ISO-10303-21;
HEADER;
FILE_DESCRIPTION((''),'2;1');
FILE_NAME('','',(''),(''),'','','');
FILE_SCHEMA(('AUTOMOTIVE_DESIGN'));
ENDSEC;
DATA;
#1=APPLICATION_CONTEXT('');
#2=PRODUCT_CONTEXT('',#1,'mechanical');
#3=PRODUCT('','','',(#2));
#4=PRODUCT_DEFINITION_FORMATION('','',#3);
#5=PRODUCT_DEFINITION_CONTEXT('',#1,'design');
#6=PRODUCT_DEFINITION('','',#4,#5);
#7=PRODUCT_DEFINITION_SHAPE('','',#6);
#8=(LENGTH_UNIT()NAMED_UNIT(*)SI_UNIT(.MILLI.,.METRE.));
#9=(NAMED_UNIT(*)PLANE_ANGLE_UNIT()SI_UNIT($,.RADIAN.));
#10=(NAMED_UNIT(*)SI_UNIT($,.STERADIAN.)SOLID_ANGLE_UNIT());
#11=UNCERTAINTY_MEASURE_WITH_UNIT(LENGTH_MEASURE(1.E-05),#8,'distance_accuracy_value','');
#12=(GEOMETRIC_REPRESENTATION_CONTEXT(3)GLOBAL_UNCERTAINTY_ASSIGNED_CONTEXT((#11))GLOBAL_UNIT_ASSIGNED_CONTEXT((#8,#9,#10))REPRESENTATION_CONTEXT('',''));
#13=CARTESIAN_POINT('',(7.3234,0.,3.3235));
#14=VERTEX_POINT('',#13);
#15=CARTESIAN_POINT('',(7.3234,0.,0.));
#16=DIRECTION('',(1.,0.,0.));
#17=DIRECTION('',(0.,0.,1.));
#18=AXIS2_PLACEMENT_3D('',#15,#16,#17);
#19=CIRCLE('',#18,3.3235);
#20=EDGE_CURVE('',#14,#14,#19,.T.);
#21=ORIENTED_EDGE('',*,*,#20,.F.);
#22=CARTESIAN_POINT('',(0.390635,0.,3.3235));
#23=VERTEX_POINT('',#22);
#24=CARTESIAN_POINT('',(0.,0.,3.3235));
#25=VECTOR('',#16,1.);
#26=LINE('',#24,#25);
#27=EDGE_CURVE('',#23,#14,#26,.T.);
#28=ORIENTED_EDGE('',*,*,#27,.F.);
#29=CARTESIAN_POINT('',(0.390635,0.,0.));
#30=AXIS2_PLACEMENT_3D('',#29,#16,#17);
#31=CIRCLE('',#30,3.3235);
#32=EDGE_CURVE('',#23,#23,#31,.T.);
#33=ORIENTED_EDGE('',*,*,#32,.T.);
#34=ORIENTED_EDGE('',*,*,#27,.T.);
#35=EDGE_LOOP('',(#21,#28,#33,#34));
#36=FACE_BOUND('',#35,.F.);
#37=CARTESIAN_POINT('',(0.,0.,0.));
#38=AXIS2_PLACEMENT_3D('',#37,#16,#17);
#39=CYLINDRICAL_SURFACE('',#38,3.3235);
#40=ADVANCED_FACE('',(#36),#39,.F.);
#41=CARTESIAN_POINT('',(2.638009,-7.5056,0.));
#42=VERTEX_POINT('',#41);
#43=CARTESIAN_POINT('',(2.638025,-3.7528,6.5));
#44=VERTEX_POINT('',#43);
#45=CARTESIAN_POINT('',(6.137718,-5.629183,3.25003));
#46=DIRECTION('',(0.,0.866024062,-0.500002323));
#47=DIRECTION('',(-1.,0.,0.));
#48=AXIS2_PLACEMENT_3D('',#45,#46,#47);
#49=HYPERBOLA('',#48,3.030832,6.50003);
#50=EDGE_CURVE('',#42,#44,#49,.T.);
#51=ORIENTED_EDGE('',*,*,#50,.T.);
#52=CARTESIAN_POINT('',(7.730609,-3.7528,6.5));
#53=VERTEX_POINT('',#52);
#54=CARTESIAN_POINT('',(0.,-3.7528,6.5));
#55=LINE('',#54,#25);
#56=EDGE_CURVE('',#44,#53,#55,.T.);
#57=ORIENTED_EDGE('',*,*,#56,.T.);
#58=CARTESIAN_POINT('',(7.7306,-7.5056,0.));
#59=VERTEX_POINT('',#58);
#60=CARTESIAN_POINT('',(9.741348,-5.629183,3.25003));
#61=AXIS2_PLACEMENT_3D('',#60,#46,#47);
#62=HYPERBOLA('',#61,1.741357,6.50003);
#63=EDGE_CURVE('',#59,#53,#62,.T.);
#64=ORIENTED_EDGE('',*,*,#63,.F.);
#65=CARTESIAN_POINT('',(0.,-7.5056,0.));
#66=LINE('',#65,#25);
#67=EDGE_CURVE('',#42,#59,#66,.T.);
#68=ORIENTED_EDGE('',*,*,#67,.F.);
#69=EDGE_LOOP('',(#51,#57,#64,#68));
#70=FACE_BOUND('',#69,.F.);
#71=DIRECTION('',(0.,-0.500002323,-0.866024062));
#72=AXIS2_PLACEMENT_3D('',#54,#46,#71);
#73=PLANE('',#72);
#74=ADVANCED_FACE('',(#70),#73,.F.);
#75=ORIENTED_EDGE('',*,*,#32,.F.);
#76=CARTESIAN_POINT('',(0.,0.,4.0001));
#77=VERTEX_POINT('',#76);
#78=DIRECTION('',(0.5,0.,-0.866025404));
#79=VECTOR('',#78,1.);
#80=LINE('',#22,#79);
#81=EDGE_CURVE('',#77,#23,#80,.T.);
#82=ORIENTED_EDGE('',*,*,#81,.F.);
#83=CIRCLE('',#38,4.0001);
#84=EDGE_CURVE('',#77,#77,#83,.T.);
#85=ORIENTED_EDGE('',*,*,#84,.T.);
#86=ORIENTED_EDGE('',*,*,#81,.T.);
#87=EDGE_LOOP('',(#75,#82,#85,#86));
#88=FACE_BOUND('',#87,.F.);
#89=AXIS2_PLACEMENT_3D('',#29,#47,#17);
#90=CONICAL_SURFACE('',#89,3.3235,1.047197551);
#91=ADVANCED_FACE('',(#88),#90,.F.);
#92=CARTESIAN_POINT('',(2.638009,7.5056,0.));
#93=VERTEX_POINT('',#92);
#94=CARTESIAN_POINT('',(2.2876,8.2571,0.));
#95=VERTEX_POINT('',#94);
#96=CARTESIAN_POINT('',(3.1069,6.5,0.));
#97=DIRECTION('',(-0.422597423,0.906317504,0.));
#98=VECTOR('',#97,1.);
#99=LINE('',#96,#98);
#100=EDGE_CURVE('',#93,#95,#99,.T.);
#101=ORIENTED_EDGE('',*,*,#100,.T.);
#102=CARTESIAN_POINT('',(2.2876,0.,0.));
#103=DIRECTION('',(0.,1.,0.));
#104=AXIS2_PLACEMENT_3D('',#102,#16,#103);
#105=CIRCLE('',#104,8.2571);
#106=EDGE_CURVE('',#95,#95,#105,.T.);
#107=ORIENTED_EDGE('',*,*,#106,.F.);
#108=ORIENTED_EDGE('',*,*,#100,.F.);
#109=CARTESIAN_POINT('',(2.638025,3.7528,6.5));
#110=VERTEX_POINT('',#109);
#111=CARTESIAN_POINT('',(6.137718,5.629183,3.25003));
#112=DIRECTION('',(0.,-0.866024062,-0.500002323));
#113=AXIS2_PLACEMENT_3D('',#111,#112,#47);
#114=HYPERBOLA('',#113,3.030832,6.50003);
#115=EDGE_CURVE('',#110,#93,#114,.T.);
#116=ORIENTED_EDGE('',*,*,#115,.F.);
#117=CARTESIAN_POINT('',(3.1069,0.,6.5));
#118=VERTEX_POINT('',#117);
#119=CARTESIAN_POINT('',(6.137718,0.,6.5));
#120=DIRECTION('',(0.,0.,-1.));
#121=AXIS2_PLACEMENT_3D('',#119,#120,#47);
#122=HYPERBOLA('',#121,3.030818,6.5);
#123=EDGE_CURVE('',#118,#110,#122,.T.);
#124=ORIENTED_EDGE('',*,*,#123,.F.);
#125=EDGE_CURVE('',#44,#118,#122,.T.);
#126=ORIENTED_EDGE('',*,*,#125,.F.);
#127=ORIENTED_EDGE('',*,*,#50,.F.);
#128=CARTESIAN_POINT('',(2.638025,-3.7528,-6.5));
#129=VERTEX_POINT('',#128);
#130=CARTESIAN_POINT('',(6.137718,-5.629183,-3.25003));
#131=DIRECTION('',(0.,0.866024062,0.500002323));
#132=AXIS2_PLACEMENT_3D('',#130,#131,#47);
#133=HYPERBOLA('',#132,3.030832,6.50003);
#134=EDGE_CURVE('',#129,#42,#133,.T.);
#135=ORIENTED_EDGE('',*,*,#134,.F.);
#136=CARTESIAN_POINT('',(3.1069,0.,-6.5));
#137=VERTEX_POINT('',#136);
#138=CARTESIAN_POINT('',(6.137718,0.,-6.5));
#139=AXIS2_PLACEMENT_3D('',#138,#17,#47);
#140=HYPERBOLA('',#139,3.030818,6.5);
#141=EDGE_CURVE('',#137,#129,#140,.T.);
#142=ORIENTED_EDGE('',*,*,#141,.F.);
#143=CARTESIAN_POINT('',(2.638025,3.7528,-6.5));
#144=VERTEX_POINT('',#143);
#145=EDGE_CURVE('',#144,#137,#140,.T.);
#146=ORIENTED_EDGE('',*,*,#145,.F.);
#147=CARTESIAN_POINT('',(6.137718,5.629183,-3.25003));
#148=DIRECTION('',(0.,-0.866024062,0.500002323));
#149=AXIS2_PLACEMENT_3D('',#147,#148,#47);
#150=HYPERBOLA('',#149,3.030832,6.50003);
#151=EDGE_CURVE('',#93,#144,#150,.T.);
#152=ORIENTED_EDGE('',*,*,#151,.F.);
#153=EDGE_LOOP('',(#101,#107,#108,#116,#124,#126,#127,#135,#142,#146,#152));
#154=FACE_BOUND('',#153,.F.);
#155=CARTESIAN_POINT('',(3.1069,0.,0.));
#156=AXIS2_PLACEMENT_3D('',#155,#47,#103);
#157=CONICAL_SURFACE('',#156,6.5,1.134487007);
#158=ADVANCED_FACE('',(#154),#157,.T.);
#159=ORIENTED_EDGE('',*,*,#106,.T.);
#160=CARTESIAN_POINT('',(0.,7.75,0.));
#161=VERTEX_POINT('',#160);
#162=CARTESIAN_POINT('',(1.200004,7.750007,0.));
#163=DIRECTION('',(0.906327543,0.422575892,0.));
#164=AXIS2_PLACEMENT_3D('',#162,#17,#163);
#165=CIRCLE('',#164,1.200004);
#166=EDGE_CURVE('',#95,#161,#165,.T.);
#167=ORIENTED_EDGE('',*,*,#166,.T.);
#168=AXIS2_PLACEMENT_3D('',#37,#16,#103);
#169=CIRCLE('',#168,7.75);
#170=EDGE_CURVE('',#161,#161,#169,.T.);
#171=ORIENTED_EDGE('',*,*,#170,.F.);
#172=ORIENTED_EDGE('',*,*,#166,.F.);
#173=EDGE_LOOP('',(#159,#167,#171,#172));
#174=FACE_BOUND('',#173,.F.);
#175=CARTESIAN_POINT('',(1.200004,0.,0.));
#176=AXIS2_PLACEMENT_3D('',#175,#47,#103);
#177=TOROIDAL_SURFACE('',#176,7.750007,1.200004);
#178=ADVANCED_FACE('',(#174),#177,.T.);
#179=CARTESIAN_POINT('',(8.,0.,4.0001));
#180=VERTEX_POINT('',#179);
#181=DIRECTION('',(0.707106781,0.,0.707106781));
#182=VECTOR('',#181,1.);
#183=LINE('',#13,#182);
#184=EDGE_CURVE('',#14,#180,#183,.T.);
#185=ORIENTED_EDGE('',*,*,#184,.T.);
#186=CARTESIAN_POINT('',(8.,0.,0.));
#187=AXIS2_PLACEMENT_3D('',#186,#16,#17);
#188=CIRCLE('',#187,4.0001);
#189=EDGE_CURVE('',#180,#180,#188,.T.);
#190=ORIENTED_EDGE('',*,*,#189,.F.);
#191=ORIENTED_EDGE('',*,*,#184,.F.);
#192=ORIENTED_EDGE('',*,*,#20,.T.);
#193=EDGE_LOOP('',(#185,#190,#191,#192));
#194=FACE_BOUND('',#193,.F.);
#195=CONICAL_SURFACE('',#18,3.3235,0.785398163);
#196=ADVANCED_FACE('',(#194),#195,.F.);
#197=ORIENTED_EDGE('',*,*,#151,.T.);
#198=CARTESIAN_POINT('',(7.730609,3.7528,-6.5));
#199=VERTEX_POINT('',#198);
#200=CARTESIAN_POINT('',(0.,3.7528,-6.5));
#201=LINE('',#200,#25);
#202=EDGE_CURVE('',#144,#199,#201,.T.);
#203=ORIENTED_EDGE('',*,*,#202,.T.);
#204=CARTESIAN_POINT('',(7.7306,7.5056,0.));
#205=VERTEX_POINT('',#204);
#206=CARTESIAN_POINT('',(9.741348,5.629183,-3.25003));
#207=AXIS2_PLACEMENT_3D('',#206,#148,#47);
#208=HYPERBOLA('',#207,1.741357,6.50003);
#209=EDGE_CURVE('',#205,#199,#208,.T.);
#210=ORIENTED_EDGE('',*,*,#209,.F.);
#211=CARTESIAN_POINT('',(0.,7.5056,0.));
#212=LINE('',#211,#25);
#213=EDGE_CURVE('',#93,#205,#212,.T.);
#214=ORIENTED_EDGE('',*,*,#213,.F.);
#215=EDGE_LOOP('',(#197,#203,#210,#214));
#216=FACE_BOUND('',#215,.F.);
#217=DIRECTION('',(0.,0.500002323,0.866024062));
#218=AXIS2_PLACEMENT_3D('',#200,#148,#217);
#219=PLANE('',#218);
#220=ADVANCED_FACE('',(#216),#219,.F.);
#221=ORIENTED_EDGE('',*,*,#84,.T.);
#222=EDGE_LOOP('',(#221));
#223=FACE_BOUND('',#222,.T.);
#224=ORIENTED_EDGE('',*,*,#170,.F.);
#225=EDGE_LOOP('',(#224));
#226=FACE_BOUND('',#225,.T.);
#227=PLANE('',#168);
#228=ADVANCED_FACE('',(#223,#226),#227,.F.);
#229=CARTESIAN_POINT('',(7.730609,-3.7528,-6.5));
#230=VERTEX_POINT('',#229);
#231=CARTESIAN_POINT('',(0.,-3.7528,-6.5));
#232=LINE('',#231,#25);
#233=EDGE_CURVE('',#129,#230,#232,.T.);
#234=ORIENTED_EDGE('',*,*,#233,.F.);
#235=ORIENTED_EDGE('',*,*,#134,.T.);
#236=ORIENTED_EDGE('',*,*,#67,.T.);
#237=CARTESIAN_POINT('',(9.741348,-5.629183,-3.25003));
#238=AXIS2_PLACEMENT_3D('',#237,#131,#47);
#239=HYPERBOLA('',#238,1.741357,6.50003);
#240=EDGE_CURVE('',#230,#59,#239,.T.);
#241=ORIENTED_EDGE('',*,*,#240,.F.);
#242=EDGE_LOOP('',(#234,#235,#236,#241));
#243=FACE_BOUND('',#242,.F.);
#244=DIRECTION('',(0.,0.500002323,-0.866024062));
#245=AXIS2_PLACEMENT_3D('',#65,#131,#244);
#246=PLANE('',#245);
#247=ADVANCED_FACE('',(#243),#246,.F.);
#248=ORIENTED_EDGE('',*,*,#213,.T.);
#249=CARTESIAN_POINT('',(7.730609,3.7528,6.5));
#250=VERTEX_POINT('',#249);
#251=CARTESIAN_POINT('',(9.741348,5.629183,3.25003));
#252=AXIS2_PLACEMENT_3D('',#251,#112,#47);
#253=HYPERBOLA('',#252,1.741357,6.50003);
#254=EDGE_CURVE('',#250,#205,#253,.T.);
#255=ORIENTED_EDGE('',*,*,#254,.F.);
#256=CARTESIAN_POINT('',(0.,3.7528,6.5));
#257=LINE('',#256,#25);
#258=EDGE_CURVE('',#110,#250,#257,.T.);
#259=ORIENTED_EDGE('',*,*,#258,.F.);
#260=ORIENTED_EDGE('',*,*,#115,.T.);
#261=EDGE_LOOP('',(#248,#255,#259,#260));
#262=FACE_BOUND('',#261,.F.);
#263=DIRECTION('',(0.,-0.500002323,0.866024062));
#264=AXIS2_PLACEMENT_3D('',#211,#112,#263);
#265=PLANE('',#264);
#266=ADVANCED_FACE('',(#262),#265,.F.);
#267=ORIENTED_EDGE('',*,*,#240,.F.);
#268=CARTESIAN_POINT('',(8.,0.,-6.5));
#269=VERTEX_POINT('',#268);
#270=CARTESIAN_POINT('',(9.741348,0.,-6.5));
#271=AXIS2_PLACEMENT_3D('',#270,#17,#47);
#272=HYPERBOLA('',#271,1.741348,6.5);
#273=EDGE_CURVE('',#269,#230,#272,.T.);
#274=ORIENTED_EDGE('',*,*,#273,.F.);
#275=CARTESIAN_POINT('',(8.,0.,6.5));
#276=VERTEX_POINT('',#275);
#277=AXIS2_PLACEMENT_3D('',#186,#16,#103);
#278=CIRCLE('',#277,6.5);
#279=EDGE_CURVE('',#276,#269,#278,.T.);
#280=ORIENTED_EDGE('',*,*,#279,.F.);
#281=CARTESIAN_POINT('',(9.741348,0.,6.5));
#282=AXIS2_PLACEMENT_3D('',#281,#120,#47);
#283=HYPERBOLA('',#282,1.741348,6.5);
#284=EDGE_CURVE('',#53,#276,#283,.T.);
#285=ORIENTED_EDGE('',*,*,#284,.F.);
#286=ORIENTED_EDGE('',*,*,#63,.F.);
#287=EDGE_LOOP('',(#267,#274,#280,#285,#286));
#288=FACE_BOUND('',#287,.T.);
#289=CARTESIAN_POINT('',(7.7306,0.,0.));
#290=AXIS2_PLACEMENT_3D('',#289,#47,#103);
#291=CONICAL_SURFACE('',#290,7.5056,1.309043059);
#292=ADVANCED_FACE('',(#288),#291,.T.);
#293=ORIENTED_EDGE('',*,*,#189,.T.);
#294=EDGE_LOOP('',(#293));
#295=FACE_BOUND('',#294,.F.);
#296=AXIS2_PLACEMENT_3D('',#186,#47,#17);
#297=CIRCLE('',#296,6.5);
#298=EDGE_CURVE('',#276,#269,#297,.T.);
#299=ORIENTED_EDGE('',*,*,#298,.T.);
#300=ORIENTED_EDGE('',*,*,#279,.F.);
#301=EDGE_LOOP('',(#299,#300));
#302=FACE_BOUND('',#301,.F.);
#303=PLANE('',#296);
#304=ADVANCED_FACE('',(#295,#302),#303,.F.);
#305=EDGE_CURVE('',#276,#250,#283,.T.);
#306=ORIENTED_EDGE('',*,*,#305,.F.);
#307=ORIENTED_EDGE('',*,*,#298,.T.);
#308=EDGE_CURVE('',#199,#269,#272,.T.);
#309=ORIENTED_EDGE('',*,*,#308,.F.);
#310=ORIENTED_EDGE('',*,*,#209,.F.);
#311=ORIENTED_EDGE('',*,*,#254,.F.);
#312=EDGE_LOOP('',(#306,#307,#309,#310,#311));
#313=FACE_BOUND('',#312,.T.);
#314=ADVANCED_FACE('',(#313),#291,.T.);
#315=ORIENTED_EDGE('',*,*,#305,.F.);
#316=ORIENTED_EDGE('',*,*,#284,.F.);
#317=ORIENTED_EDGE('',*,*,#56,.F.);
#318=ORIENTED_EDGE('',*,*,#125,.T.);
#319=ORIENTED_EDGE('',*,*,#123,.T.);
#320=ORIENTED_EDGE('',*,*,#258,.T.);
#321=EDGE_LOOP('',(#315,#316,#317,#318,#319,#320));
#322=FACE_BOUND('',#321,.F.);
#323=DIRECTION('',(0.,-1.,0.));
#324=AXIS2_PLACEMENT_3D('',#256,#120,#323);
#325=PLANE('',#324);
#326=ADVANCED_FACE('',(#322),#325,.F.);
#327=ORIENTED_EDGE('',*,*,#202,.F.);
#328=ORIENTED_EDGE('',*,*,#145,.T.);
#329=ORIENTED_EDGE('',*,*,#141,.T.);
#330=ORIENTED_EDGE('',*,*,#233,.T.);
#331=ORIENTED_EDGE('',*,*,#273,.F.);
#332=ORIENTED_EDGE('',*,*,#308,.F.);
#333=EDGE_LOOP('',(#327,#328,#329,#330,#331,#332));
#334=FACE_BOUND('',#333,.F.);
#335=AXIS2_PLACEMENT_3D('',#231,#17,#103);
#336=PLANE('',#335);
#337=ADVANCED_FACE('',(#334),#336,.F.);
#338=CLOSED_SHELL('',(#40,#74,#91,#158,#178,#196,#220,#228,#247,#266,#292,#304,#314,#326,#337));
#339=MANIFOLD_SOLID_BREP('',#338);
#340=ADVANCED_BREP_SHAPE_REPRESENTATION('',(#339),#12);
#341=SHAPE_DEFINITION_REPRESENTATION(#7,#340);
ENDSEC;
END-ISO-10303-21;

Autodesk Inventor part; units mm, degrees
ref_plane "YZ Plane" through (0, 0, 0) normal (1, 0, 0) x (0, 1, 0)
ref_plane "XZ Plane" through (0, 0, 0) normal (0, 1, 0) x (-1, 0, 0)
sketch "Sketch1" plane through (0, 0, 0) normal (0, 0, 1) x (1, 0, 0)
  line L0 (-1.8442, 0) -> (9.6407, 0) projected
  line L1 (3.1069, 6.5) -> (2.2876, 8.2571)
  line L2 (3.1069, 6.5) -> (8, 6.5) construction
  line L3 (8, 6.5) -> (8, 0) construction
  arc A0 (2.2876, 8.2571) -> (0, 7.75) centre (1.2, 7.75) ccw
  line L4 (3.1069, 6.5) -> (3.1069, 0)
  line L5 (0, -1.835) -> (0, 11.0102) projected
  point P0 (0, 0)
  dimension "d2" = 13
  dimension "d4" = 17.9
  dimension "d5" = 1.2
  dimension "d15" = 8
  dimension "d16" = 25
revolve "Ring" add sketch "Sketch1" angle 360 about axis through (-10, 0, 0) along (1, 0, 0)
sketch "Sketch2" plane through (0, 0, 0) normal (-1, 0, 0) x (0, 0, 1)
  circle A0 centre (0, 0) radius 4.9
  line L0 (-6.5, -3.7528) -> (-6.5, 3.7528)
  line L1 (-6.5, 3.7528) -> (0, 7.5056)
  line L2 (0, 7.5056) -> (6.5, 3.7528)
  line L3 (6.5, 3.7528) -> (6.5, -3.7528)
  line L4 (6.5, -3.7528) -> (0, -7.5056)
  line L5 (0, -7.5056) -> (-6.5, -3.7528)
  circle A1 centre (0, 0) radius 7.75 projected
  dimension "d6" = 15.0111
extrude "Body" add sketch "Sketch2" against normal blind 8 contours A0 | L0 L1 L2 L3 L4 L5
sketch "Sketch3" plane through (0, 0, 0) normal (0, 0, 1) x (1, 0, 0)
  line L0 (2.638, 7.5056) -> (8, 7.5056) projected
  line L1 (8, 3.7528) -> (8, 7.5056) projected
  line L2 (0, -7.75) -> (0, 7.75) projected
  line L3 (-1.6, 0) -> (9.6, 0) projected
  line L4 (7.7306, 7.5056) -> (8, 6.5)
  dimension "d10" = 15
  dimension "d11" = 13
revolve "Chamfer1" cut sketch "Sketch3" angle 360 about axis through (-10, 0, 0) along (1, 0, 0)
sketch "Sketch4" plane through (0, 0, 0) normal (-1, 0, 0) x (0, 0, 1)
  circle A0 centre (0, 0) radius 7.75 projected
hole "Thread" at (0, 0, 0) direction (1, 0, 0) diameter 6.647 end through all thread size "M8x1.25" class "6H" standard "ISO Metric profile"
chamfer "Chamfer2" distance 0.6766 angle 30 1 edges at (0, 0, -3.3235) measured on face at (0, 6.1914, -0.7518)
ref_plane "Work Plane1" through (26.5484, 0, 0) normal (0, 0, -1) x (-1, 0, 0)
chamfer "Chamfer3" distance 0.6766 angle 45 1 edges at (8, 0, -3.3235)
equation "\"d2\" = SW"
equation "\"d4\" = LADI"
equation "\"d5\" = PHH"
equation "\"d15\" = KOH"
equation "\"d16\" = KEWI"
equation "\"d6\" = 1.1547 * SW"
equation "\"d7\" = KOH"
equation "\"d10\" = ANG1"
equation "\"d11\" = SW0"
equation "\"d12\" = -0.5 * GD1 + 0.5 * NND"
equation "\"d46\" = -0.5 * GD1 + 0.5 * NND"
equation "\"d51\" = -0.5 * GD1 + 0.5 * NND"
equation "\"ANG1\" = 15deg"
equation "\"KEWI\" = 25deg"
equation "\"NND\" = 8"
equation "\"LADI\" = 17.9"
equation "\"SW\" = 13"
equation "\"PHH\" = RR"
equation "\"KOH\" = NND"
equation "\"SW0\" = SW"
equation "\"d1\" = LADI"
equation "\"d3\" = PHH"
equation "\"GUL\" = 0.541266 * PTC"
equation "\"RR\" = 1.2"
equation "\"THREADDIA\" = 8"
equation "\"TOA\" = 30deg"
equation "\"PTC\" = 1.25"
equation "\"GAL\" = 0.541266 * PTC"
equation "\"E0\" = 1.155 * SW"
equation "\"GD1\" = 6.646835"
properties part number "DIN 6923 - M8" material "Steel, Mild"
